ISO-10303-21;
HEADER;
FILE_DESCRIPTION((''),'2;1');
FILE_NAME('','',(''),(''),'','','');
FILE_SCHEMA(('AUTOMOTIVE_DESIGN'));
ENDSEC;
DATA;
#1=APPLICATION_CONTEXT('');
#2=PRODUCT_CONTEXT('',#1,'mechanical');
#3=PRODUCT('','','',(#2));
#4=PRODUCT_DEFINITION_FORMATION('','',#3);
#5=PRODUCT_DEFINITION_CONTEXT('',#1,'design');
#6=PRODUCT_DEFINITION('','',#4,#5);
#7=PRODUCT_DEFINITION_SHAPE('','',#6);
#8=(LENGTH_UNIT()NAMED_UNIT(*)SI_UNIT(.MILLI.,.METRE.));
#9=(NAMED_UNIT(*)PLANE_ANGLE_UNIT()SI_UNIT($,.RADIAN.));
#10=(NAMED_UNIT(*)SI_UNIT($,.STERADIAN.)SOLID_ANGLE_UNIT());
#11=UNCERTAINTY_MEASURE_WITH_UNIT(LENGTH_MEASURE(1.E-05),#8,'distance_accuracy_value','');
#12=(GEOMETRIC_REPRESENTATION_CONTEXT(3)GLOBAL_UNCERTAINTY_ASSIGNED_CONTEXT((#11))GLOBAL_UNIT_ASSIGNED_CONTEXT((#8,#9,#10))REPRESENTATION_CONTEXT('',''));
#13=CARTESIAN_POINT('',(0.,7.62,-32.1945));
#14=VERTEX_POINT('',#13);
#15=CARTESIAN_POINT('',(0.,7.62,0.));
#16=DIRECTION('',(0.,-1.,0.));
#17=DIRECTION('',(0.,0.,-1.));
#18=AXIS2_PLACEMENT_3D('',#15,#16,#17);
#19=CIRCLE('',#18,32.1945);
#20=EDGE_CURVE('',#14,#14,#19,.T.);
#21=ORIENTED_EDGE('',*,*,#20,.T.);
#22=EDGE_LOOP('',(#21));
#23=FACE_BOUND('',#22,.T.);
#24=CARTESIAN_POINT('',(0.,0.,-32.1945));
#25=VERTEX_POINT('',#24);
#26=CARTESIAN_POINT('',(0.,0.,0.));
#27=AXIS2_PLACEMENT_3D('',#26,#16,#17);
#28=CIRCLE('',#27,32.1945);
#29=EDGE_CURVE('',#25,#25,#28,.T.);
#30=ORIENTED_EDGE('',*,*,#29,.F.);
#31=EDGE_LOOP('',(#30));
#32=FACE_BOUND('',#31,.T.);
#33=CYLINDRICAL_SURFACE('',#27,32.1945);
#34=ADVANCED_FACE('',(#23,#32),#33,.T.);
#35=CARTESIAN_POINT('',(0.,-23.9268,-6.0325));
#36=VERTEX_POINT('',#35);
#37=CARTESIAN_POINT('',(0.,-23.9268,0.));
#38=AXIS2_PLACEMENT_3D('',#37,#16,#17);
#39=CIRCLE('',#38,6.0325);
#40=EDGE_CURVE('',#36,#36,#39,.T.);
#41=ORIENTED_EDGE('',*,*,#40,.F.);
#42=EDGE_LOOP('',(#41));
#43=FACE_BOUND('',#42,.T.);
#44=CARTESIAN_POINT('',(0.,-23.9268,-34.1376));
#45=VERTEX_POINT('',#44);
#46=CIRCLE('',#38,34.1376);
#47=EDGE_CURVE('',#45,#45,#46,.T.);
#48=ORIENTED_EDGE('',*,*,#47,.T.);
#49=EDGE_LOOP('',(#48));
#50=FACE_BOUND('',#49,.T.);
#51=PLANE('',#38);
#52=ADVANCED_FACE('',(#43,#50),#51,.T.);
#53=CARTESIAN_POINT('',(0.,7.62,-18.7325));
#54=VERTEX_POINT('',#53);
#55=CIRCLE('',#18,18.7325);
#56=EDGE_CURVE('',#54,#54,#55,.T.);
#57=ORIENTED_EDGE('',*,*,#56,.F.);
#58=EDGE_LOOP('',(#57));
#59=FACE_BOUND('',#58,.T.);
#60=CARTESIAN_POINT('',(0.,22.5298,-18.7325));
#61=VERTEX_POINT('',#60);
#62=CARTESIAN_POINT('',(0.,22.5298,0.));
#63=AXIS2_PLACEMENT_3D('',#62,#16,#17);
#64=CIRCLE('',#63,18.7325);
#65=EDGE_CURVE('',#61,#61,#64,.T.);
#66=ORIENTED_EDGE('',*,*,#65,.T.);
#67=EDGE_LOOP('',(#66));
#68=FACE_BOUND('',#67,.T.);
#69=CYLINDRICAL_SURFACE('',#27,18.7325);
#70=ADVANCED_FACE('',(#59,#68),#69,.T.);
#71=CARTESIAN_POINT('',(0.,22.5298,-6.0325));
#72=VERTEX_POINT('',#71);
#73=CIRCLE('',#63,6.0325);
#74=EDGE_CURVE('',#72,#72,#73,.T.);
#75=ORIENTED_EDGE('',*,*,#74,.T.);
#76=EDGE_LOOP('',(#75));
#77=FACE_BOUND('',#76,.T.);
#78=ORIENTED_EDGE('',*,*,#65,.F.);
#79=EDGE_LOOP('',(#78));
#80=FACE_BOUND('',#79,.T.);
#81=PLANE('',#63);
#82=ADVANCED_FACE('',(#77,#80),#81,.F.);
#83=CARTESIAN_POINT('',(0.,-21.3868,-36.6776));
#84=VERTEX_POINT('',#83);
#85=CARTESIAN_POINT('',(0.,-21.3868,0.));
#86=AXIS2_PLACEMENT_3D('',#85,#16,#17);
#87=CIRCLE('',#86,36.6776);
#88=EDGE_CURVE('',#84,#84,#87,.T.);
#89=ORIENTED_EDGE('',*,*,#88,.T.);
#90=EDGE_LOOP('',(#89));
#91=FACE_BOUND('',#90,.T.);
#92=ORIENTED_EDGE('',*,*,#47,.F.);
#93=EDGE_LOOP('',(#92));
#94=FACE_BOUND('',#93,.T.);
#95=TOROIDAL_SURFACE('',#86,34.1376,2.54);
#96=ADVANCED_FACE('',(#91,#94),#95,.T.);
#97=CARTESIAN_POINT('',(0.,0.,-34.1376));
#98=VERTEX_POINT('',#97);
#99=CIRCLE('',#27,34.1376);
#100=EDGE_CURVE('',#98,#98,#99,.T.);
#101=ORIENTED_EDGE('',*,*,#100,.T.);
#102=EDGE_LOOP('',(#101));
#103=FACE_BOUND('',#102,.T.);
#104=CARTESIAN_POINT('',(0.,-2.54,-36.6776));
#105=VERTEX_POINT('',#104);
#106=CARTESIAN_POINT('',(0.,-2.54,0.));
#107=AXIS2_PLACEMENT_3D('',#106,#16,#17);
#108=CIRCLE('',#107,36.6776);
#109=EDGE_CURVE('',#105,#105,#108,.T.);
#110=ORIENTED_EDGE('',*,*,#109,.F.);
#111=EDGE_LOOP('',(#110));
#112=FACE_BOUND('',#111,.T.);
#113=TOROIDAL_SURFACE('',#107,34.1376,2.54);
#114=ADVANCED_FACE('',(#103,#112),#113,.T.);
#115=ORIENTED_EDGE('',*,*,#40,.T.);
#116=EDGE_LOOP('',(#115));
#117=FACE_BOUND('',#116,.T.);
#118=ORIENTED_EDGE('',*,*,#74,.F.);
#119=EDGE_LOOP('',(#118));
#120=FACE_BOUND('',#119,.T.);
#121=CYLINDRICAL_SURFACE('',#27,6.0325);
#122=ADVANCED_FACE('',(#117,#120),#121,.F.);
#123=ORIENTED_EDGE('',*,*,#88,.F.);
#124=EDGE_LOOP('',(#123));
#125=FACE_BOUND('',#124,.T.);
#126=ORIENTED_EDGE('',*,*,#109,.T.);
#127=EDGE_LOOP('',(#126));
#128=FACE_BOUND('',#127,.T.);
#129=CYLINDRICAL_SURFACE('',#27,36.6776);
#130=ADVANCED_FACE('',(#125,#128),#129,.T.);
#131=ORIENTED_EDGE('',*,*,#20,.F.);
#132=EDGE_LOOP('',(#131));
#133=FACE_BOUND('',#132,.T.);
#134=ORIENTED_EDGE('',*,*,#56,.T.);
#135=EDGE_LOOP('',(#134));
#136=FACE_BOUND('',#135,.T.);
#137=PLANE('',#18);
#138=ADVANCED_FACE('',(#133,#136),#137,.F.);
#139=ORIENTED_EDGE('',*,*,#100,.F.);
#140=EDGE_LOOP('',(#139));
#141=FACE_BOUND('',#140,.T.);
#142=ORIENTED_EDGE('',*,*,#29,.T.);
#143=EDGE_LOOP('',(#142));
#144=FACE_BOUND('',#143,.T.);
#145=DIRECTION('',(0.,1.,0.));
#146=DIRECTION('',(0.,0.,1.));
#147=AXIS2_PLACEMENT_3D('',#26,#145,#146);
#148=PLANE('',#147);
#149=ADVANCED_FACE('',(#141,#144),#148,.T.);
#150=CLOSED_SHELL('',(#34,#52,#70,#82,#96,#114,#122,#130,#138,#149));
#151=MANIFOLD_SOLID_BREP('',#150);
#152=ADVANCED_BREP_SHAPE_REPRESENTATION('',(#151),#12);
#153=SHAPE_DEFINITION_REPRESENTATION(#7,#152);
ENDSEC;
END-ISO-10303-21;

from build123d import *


with BuildPart() as part:
    # Sketch1 → Revolve1 (revolve)
    with BuildSketch(Plane.XY, mode=Mode.PRIVATE) as revolve1_sk:
        Polygon((18.7325, 22.5298), (6.0325, 22.5298), (6.0325, 0), (32.1945, 0), (32.1945, 7.62), (18.7325, 7.62), align=None)
        with BuildLine():
            Line((32.1945, 0), (6.0325, 0))
            Line((6.0325, 0), (6.0325, -23.9268))
            Line((6.0325, -23.9268), (34.1376, -23.9268))
            ThreePointArc((34.1376, -23.9268), (35.933651224, -23.182851224), (36.6776, -21.3868))
            Line((36.6776, -21.3868), (36.6776, -2.54))
            ThreePointArc((36.6776, -2.54), (35.933651224, -0.743948776), (34.1376, 0))
            Line((34.1376, 0), (32.1945, 0))
        make_face()
    revolve(revolve1_sk.sketch.rotate(Axis((0, 0, 0), (0, 1, 0)), 90), axis=Axis((0, 0, 0), (0, 1, 0)))


solid = part.part
